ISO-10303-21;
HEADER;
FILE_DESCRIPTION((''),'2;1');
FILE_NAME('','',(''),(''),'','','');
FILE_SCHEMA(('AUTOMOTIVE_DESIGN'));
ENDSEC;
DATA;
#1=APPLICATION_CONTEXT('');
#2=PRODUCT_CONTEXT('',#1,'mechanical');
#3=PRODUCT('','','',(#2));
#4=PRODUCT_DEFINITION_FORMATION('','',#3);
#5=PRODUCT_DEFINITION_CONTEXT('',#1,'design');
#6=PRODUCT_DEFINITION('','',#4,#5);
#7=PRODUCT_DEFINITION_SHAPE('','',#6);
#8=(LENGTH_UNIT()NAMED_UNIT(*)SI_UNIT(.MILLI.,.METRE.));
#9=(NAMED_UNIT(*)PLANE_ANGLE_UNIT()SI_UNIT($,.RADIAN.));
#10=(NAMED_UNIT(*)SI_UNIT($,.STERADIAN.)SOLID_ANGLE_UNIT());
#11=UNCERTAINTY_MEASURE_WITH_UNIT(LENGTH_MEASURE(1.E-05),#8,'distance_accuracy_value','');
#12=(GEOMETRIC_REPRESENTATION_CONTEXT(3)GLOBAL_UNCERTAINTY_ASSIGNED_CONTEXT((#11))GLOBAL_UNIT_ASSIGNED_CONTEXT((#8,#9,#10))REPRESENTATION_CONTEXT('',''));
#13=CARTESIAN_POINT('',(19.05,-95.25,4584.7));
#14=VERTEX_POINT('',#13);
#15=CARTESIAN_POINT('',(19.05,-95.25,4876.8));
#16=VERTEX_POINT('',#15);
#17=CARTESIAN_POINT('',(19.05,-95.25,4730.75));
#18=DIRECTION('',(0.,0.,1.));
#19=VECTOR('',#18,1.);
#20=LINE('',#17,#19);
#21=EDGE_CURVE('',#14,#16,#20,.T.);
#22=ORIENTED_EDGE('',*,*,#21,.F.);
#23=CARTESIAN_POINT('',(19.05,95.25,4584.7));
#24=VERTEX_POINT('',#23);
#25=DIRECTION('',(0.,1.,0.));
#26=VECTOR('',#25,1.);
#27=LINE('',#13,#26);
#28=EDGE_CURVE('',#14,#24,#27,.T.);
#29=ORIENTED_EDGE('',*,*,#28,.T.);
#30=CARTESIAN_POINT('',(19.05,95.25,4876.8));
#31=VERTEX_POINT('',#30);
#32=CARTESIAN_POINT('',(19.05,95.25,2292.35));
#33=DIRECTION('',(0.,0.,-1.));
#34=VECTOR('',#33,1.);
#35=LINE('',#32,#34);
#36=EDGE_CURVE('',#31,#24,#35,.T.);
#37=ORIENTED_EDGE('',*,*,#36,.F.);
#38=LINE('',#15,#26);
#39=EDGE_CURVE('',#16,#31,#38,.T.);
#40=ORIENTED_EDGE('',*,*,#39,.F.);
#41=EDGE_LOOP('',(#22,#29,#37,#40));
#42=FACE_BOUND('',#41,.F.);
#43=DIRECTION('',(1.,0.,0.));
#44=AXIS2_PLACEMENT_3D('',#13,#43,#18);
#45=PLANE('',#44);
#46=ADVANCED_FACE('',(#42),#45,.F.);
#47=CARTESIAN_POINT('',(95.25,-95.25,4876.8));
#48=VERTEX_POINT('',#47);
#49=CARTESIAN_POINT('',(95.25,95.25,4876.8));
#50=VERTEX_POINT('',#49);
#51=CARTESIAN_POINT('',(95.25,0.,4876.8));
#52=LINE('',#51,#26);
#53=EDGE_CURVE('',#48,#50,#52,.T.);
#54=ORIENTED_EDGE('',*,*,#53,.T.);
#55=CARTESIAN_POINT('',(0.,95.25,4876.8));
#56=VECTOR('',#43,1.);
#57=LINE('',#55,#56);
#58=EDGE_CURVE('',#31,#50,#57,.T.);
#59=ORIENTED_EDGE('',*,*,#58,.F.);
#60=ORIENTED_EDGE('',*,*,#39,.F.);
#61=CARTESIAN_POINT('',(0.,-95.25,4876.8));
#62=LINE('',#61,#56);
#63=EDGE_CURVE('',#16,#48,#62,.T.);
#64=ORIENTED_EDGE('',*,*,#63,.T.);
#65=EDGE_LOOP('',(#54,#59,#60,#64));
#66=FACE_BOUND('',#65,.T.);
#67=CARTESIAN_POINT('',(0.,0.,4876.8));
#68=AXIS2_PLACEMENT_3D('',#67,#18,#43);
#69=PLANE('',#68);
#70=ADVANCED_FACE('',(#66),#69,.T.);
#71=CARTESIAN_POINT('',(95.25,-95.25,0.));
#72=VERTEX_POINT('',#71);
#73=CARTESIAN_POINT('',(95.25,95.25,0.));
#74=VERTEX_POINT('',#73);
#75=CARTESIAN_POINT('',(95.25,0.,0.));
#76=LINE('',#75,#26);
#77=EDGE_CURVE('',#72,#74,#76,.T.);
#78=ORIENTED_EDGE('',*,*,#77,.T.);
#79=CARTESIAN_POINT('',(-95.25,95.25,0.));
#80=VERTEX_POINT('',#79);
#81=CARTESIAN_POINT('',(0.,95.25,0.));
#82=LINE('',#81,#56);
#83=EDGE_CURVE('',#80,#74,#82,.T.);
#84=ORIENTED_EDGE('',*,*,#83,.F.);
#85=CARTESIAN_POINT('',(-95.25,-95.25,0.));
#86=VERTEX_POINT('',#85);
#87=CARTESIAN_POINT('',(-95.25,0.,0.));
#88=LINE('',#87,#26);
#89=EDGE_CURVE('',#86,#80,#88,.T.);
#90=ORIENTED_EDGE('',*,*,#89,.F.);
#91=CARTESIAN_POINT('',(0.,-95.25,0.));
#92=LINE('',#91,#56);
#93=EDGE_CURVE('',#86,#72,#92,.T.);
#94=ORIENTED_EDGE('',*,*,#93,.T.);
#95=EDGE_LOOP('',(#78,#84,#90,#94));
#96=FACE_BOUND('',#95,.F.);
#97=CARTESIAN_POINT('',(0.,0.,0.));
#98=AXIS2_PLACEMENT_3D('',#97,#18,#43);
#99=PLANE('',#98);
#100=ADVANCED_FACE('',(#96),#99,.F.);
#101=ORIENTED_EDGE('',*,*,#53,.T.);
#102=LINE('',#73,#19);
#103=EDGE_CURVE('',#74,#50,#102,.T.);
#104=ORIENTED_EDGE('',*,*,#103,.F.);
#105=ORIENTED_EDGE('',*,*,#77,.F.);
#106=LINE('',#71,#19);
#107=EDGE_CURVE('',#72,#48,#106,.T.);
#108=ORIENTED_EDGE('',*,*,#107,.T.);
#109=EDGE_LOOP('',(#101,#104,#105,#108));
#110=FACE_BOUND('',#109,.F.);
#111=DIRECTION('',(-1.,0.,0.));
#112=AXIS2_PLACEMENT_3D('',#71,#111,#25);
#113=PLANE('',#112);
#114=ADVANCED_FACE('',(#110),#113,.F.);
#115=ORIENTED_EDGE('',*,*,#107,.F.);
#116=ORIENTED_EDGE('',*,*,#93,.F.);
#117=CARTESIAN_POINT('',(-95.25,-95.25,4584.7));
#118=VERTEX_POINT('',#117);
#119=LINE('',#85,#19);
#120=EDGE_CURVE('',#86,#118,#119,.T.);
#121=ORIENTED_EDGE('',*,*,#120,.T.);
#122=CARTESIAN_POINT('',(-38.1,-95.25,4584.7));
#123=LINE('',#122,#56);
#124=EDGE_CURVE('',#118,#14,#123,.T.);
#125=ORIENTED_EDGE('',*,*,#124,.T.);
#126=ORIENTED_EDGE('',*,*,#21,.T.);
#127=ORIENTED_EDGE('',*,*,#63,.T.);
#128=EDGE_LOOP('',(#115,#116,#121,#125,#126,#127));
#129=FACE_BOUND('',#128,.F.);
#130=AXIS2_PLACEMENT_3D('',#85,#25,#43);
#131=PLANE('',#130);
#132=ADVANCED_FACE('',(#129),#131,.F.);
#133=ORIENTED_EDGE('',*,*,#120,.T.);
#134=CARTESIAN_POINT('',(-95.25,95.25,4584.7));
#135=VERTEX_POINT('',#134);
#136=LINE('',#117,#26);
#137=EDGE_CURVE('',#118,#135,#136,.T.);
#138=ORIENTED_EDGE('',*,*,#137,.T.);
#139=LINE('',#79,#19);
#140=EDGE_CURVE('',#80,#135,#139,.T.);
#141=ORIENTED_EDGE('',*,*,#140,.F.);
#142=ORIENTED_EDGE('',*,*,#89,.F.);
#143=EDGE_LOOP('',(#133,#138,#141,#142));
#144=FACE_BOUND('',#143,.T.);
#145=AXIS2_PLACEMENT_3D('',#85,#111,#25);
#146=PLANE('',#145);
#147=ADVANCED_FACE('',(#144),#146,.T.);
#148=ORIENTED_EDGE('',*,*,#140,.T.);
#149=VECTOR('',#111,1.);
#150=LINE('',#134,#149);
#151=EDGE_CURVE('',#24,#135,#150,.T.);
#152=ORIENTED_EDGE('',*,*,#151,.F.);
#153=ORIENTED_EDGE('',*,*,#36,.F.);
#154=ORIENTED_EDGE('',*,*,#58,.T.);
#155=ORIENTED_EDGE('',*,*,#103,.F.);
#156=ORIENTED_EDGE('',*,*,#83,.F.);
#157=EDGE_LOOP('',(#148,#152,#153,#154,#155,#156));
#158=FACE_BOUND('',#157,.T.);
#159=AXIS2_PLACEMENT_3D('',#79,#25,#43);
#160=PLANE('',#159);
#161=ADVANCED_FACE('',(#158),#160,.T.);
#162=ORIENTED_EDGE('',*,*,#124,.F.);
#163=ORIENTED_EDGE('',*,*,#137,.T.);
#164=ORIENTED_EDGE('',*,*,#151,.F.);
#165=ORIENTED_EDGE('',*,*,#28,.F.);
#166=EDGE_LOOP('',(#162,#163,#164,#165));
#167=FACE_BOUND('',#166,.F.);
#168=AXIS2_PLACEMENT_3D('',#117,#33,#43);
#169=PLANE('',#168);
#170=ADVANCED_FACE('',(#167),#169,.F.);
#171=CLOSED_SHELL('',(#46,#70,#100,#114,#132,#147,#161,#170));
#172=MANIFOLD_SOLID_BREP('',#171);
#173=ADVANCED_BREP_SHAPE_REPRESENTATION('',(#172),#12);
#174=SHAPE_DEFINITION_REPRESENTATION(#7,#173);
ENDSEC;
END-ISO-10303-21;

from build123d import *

# Parameters (mm, degrees)
F0_W     = 190.5
F0_H     = 190.5
F1_DEPTH = 4876.8
F2_W     = 114.3
F2_H     = 292.1
F3_DEPTH = 190.501


with BuildPart() as f1:
    # F0 (on Top) → F1 (new body)
    with BuildSketch(Plane.XY):
        Rectangle(F0_W, F0_H)
    extrude(amount=F1_DEPTH)

    # F2 (on face) → F3 (cut, through all)
    with BuildSketch(Plane.XZ.offset(95.25)):
        with Locations((-38.1, 4730.75)):
            Rectangle(F2_W, F2_H)
    extrude(amount=-F3_DEPTH, mode=Mode.SUBTRACT)


solid = f1.part
